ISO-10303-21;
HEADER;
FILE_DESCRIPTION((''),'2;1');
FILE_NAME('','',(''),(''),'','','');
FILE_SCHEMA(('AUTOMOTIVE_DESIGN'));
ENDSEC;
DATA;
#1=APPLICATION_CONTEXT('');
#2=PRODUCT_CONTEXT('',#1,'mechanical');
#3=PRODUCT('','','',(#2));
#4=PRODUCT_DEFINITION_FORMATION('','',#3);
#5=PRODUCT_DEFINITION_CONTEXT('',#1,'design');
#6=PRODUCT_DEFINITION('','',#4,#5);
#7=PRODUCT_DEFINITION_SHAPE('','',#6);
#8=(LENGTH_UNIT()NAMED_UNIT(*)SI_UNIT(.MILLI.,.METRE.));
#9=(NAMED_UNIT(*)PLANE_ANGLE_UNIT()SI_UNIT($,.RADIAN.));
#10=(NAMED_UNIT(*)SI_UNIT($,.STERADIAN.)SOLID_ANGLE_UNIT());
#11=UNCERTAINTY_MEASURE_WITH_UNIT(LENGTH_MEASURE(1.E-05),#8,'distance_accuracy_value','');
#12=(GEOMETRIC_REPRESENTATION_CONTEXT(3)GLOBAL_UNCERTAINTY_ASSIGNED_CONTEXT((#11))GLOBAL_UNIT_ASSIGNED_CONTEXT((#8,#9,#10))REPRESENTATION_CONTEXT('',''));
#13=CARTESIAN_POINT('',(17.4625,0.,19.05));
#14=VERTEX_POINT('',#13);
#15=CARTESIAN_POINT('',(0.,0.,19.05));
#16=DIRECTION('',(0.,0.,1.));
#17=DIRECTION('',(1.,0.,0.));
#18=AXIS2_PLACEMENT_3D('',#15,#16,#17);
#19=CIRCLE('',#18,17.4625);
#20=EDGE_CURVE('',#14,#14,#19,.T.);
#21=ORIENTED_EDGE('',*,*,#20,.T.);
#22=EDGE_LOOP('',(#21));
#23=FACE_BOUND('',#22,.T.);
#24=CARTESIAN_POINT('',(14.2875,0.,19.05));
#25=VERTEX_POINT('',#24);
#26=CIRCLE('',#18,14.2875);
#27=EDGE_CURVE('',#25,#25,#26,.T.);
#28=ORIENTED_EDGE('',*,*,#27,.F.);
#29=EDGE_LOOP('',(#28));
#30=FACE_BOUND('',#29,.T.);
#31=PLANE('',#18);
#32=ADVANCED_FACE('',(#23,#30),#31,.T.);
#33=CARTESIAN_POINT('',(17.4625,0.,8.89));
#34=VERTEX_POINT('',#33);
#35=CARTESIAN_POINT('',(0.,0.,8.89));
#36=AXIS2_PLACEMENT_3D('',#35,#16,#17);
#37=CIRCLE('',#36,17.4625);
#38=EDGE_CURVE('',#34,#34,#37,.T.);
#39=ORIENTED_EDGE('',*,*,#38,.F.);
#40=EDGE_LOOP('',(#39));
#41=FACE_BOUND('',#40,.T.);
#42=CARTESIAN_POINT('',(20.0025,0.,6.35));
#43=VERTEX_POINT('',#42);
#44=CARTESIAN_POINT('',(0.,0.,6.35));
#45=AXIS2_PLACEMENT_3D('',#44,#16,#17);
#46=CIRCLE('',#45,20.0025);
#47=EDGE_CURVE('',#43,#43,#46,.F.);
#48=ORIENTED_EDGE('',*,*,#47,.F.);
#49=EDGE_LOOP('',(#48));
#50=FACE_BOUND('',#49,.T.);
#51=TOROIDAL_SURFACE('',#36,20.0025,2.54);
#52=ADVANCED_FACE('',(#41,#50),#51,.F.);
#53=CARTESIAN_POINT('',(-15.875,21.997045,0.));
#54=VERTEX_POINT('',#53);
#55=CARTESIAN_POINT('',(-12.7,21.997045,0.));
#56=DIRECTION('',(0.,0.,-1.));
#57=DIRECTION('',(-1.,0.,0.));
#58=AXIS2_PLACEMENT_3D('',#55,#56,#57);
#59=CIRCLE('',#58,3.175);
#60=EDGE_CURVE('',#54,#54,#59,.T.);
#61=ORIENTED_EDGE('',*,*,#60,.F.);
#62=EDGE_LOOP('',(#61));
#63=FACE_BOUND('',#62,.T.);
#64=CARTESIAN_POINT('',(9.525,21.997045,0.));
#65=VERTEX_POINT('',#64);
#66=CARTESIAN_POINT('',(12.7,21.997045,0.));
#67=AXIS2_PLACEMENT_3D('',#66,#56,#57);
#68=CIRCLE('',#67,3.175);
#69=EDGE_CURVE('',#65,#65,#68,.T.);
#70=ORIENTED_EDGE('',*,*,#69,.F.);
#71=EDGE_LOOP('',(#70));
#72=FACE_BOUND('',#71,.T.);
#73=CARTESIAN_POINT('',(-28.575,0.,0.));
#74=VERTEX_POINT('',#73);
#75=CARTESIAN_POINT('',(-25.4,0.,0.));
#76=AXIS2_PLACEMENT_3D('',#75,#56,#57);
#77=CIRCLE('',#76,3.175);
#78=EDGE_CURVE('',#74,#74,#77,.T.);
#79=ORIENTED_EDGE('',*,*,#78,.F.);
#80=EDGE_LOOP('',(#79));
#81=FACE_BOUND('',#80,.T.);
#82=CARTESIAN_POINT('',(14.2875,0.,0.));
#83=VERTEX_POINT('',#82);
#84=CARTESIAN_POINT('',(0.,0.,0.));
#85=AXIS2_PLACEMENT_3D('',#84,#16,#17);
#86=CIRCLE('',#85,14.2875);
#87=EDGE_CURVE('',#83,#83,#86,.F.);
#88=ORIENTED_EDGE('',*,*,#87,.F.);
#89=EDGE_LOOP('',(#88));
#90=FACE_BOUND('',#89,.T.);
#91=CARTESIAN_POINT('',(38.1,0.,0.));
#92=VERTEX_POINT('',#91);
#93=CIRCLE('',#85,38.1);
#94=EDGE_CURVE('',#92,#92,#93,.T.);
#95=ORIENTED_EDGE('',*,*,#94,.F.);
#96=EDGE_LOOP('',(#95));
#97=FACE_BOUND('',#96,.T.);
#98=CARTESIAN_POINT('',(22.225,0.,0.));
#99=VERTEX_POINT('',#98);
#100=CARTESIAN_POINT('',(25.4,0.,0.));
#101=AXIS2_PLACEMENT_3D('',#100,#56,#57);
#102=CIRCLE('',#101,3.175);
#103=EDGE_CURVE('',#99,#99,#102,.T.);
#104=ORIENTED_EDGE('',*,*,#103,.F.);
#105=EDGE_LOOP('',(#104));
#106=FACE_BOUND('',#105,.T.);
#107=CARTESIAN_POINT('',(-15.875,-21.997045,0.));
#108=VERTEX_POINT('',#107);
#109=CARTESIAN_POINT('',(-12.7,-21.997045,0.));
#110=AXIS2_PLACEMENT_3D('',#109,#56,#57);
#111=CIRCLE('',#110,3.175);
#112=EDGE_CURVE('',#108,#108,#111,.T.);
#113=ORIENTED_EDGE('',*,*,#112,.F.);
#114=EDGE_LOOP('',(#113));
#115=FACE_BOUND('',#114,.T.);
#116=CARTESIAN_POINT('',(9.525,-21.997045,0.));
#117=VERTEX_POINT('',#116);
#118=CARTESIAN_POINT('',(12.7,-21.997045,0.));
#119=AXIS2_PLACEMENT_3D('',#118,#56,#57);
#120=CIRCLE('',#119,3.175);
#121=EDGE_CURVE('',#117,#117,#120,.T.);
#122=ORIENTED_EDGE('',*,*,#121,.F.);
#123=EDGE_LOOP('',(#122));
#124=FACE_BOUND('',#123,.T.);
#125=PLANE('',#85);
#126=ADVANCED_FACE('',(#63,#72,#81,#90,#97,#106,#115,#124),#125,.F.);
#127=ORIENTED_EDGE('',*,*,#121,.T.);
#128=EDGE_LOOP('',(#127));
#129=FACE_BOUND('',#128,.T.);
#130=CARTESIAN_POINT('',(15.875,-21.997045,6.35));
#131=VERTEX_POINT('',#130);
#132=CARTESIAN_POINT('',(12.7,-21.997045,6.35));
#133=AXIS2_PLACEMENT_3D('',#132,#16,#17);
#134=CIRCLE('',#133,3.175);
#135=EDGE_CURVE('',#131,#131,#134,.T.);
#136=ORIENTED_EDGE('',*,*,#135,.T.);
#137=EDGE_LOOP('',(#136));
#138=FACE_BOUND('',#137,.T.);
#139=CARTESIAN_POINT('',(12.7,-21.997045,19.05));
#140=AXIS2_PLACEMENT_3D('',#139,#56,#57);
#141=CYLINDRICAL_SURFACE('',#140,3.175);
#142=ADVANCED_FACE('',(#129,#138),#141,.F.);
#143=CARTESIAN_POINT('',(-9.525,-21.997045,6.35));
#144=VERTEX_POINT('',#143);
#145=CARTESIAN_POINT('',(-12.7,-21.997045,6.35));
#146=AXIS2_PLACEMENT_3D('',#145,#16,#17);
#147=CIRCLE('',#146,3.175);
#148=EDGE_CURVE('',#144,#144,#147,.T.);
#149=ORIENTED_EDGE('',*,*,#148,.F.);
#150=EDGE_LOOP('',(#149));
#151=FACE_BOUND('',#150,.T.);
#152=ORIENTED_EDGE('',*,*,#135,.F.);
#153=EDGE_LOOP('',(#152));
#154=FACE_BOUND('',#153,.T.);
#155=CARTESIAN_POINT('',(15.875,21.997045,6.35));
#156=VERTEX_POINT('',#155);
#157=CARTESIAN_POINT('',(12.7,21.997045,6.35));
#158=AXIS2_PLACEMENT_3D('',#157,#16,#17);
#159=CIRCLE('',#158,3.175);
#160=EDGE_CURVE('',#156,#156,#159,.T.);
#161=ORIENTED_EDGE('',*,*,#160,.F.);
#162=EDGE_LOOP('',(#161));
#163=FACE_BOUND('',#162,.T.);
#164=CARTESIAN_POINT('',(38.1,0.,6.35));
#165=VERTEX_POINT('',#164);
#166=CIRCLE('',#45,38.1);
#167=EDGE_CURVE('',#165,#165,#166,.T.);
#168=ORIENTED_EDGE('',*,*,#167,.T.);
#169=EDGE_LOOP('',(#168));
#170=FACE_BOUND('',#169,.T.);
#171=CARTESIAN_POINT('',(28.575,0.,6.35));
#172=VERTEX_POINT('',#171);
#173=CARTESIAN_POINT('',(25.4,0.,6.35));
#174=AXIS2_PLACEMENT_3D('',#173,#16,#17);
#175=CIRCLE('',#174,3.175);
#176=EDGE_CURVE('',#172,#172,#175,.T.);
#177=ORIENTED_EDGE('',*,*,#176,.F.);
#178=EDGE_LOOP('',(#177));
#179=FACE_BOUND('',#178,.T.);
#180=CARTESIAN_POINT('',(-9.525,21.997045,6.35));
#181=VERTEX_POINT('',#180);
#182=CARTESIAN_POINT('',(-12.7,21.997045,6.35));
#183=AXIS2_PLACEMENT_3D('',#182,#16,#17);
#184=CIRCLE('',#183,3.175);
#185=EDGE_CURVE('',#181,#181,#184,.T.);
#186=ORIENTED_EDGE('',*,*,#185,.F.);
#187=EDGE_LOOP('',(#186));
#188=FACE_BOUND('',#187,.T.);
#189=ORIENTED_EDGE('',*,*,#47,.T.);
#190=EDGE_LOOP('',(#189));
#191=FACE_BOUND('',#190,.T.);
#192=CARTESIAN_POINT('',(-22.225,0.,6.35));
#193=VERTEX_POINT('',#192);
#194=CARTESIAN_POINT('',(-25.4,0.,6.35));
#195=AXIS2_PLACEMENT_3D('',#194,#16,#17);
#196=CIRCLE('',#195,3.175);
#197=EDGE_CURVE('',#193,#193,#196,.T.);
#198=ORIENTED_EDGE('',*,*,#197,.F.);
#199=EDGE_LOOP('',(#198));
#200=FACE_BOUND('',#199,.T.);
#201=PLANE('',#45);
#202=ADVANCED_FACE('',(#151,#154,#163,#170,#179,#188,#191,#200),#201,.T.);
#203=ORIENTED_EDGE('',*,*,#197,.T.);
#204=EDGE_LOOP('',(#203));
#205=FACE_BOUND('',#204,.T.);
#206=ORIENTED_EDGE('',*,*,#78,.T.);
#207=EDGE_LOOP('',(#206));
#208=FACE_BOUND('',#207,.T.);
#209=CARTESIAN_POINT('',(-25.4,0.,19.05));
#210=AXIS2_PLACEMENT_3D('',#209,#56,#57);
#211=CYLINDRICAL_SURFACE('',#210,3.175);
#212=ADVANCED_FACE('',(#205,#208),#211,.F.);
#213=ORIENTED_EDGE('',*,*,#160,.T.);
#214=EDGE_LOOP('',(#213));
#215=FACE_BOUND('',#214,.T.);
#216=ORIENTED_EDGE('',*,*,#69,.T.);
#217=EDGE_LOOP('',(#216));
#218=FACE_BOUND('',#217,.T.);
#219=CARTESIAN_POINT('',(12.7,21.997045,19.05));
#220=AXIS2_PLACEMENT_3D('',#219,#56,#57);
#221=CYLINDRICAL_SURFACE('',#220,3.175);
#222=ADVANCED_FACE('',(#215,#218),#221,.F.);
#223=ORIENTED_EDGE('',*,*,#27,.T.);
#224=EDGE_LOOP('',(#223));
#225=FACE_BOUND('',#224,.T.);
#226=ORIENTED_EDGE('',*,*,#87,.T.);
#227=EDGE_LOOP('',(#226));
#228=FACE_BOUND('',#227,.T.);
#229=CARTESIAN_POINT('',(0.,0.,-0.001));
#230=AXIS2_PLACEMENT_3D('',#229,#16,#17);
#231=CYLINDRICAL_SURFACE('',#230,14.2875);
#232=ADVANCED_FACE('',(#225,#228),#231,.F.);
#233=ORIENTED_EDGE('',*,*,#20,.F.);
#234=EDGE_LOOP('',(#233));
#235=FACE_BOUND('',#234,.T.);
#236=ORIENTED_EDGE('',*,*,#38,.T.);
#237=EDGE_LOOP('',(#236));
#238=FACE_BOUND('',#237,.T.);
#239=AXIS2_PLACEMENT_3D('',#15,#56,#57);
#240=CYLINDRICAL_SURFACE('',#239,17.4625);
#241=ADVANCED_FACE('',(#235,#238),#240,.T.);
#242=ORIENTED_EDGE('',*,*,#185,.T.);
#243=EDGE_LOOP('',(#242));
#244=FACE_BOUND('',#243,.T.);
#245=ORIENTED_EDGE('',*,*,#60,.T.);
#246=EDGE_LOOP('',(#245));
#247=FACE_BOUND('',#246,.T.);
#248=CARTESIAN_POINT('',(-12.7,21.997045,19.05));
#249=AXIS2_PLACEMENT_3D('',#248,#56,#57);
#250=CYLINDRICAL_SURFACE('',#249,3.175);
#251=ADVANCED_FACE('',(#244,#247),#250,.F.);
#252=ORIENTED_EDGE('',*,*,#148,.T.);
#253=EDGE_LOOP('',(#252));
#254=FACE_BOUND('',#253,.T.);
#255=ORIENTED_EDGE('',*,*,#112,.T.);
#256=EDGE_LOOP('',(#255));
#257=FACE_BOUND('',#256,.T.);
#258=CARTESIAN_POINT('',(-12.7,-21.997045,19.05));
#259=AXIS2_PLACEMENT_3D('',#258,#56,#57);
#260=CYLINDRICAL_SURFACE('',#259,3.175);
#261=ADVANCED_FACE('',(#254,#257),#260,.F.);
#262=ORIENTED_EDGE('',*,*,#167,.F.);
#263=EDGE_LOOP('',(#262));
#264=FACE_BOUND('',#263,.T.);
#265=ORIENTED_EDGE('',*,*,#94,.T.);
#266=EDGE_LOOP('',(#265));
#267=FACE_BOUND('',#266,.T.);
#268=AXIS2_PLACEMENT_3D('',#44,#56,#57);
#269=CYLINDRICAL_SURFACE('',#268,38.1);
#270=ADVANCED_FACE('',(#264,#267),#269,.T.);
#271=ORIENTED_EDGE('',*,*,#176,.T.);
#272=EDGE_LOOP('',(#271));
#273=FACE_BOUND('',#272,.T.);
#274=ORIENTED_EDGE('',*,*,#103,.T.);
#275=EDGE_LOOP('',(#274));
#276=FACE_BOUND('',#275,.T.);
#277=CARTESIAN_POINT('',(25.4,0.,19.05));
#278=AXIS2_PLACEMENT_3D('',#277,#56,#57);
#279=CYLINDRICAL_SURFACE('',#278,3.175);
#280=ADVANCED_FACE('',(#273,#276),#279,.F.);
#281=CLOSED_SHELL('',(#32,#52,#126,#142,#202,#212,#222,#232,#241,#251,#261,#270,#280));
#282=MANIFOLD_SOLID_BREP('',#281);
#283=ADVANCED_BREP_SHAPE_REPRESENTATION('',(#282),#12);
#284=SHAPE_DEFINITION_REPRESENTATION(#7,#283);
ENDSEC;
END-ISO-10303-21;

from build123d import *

# Parameters (mm, degrees)
SKETCH1_R           = 38.1
BOSS_EXTRUDE1_DEPTH = 6.35
SKETCH2_R           = 17.4625
BOSS_EXTRUDE2_DEPTH = 12.7
FILLET2_R           = 2.54
CUT_EXTRUDE1_REACH  = 59.15
SKETCH3_R           = 14.2875
SKETCH4_R           = 3.175
CUT_EXTRUDE2_DEPTH  = 58.15


with BuildPart() as part:
    # Sketch1 → Boss-Extrude1 (new body)
    with BuildSketch(Plane.XY):
        Circle(SKETCH1_R)
    extrude(amount=BOSS_EXTRUDE1_DEPTH)

    # Sketch2 → Boss-Extrude2 (add)
    with BuildSketch(Plane.XY.offset(6.35)):
        Circle(SKETCH2_R)
    extrude(amount=BOSS_EXTRUDE2_DEPTH)

    # Fillet2
    fillet2_edges = [part.edges().sort_by_distance(p)[0] for p in [
        (-17.4625, 0, 6.35),
    ]]
    fillet(fillet2_edges, radius=FILLET2_R)

    # Sketch3 → Cut-Extrude1 (cut, up to next)
    with BuildSketch(Plane.XY.offset(19.05), mode=Mode.PRIVATE) as cut_extrude1_sk1:
        Circle(SKETCH3_R)
    cut_extrude1_tool1 = extrude(cut_extrude1_sk1.sketch, amount=-CUT_EXTRUDE1_REACH, mode=Mode.PRIVATE) & part.part
    add(cut_extrude1_tool1.solids().sort_by_distance((0, 0, 19.05))[0], mode=Mode.SUBTRACT)

    # Sketch4 → Cut-Extrude2 (cut, through all)
    with BuildSketch(Plane(origin=(0, 0, 0), x_dir=(-1, 0, 0), z_dir=(0, 0, -1))):
        with Locations((-25.4, 0)):
            Circle(SKETCH4_R)
        with Locations((-12.7, 21.997045256)):
            Circle(SKETCH4_R)
        with Locations((12.7, 21.997045256)):
            Circle(SKETCH4_R)
        with Locations((25.4, 0)):
            Circle(SKETCH4_R)
        with Locations((12.7, -21.997045256)):
            Circle(SKETCH4_R)
        with Locations((-12.7, -21.997045256)):
            Circle(SKETCH4_R)
    extrude(amount=-CUT_EXTRUDE2_DEPTH, mode=Mode.SUBTRACT)


solid = part.part
